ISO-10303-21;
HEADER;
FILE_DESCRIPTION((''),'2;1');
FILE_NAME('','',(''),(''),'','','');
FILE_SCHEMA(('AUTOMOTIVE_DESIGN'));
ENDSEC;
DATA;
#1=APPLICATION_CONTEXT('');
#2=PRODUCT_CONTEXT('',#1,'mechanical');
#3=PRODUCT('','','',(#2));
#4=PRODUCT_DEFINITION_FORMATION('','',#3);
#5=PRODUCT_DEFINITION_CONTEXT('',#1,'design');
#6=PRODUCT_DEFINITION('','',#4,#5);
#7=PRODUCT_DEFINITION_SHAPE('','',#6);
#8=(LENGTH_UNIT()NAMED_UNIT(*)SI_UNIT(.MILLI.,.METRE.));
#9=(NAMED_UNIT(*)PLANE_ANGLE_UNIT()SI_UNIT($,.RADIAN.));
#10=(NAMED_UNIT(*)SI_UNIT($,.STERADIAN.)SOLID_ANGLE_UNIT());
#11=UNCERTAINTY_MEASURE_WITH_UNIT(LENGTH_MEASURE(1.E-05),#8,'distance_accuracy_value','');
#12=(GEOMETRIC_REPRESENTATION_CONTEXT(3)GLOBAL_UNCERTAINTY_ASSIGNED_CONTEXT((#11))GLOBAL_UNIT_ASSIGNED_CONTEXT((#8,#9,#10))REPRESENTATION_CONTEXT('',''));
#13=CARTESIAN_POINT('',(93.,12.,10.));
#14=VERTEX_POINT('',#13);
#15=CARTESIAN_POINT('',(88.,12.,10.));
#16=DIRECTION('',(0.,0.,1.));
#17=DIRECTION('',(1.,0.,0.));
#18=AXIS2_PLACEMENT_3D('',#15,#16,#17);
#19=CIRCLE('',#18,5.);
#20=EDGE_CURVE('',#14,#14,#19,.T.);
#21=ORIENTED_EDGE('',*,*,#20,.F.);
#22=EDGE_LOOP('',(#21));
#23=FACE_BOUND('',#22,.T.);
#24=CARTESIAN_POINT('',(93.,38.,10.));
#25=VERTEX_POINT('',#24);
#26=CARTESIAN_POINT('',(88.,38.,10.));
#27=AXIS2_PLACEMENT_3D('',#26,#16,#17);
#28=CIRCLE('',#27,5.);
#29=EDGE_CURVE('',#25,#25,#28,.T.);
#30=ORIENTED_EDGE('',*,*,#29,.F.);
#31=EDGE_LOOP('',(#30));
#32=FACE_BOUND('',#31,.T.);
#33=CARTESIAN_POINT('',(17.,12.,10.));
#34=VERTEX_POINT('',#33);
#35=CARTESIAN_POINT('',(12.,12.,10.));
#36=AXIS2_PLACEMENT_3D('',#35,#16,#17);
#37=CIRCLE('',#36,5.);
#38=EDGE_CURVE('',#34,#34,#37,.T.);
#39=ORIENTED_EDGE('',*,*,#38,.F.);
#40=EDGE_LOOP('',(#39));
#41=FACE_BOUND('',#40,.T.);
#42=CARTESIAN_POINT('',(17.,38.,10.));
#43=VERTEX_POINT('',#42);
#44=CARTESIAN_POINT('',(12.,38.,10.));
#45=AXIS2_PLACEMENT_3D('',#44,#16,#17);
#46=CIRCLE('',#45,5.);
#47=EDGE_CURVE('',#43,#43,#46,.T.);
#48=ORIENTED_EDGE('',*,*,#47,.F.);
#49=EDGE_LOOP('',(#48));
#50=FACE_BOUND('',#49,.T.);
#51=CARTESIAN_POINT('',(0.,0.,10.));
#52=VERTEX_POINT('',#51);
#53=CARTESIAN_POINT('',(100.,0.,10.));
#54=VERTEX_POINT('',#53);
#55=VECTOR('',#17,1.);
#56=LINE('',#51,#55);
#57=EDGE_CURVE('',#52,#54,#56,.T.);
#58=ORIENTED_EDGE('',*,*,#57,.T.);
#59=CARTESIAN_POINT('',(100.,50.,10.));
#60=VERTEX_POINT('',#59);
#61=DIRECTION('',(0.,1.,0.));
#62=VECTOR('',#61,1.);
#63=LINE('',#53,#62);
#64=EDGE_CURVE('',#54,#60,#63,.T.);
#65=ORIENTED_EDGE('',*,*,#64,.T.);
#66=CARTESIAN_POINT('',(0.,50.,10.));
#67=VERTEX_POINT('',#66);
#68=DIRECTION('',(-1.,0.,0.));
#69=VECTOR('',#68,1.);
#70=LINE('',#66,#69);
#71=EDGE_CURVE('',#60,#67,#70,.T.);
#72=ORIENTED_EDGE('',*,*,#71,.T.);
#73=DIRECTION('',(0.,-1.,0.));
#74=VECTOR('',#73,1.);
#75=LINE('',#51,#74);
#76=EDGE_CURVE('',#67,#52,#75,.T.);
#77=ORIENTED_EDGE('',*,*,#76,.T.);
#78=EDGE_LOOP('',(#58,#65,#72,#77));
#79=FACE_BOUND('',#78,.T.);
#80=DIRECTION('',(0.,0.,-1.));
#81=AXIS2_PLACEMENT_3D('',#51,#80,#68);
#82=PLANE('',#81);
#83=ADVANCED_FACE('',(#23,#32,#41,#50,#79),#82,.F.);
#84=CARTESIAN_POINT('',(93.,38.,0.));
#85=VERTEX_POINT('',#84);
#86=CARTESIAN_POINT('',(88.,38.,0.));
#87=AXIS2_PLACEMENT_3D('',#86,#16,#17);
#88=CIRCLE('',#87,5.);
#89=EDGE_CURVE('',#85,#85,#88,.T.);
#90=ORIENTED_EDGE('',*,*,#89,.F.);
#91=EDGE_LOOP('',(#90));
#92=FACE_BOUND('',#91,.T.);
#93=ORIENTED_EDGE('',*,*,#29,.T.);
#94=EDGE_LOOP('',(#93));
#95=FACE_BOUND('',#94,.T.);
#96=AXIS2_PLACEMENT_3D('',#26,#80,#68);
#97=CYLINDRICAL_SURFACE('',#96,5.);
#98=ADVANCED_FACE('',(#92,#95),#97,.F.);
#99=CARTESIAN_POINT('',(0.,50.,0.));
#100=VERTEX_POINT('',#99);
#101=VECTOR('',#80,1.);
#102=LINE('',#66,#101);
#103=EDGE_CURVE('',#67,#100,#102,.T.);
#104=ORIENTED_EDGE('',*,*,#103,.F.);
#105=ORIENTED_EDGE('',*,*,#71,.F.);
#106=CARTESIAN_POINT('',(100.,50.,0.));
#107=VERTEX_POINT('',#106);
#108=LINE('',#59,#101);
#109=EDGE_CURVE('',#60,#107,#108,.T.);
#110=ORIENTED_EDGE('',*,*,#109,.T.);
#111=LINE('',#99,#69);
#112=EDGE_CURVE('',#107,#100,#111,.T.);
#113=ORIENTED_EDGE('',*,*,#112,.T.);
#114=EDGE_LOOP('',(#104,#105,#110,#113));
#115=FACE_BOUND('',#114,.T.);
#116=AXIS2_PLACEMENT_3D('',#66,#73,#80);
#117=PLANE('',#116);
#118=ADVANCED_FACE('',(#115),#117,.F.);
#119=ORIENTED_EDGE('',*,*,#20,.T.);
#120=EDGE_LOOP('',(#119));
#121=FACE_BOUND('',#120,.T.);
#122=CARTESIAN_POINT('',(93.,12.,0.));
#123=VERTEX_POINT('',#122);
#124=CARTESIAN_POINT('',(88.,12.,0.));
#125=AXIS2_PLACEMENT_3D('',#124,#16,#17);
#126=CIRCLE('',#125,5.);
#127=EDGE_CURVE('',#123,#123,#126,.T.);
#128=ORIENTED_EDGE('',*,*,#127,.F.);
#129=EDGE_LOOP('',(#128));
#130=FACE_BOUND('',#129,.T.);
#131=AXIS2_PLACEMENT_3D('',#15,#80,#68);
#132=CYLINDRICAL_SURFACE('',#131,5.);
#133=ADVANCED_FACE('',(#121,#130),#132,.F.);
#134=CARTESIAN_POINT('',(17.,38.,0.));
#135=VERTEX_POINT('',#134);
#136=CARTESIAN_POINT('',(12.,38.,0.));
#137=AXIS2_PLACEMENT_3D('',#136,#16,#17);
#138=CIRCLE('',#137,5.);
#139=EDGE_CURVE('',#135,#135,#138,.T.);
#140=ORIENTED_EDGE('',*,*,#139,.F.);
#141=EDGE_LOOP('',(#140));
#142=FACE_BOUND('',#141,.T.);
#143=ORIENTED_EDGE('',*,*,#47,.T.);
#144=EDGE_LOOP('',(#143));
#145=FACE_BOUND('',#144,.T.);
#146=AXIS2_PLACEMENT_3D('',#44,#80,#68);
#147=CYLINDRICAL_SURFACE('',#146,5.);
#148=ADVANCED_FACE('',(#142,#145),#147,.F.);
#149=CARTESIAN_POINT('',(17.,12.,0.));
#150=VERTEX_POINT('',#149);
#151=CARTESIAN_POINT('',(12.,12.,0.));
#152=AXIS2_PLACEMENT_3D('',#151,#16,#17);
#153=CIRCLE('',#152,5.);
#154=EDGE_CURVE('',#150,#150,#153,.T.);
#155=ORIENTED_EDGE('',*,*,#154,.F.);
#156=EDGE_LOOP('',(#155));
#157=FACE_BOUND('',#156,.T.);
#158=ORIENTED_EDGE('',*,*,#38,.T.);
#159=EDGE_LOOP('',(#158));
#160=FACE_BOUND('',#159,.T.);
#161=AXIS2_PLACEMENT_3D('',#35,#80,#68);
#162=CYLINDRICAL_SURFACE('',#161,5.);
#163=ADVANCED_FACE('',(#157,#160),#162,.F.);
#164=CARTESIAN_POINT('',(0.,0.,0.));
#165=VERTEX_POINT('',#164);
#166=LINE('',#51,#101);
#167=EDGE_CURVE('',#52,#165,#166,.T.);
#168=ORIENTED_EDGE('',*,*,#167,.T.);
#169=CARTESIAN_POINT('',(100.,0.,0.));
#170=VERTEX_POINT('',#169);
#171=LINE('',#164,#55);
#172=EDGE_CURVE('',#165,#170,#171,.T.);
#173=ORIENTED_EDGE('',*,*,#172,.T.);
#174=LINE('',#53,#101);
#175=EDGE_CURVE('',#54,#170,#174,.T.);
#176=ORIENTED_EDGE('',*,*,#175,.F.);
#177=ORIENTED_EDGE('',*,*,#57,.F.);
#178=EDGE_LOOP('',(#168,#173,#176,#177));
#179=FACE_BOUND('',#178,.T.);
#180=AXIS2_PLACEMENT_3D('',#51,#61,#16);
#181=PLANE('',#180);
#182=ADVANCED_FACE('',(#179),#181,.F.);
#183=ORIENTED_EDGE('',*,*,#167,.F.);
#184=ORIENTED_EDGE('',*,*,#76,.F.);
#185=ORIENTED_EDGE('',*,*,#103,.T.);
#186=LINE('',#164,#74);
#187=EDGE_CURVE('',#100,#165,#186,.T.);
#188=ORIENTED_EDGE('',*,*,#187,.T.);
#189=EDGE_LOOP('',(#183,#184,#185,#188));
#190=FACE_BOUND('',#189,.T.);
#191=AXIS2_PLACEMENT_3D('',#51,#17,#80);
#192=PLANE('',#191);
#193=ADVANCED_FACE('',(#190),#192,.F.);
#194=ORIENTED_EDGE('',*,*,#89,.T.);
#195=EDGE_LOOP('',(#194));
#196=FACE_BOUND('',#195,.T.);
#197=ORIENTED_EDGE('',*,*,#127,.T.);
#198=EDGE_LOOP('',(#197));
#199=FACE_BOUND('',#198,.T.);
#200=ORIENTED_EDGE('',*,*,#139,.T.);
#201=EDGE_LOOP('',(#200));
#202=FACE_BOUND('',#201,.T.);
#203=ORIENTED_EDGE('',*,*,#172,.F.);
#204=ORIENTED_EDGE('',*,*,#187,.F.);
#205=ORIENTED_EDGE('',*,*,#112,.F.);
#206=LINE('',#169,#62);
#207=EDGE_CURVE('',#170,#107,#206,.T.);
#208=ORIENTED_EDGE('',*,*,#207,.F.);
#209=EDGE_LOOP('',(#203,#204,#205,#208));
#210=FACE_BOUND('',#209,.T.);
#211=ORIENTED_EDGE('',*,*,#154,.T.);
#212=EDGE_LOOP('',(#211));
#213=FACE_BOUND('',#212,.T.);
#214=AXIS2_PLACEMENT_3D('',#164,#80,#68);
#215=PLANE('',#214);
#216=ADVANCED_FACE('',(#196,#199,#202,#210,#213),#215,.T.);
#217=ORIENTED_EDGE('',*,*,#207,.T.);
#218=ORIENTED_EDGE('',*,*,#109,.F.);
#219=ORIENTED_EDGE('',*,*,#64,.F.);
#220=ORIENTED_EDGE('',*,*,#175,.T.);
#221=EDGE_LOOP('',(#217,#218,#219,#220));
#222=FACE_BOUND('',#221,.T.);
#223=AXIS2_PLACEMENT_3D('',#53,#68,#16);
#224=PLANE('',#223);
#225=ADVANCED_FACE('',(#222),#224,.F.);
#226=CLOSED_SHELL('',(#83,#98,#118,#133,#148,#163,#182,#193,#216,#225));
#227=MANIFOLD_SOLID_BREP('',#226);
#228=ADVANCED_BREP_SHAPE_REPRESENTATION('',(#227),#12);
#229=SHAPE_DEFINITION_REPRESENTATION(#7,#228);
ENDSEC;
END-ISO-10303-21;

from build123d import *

# Parameters (mm, degrees)
CROQUIS1_W              = 100
CROQUIS1_H              = 50
CROQUIS1_R              = 5
SALIENTE_EXTRUIR1_DEPTH = 10


with BuildPart() as part:
    # Croquis1 → Saliente-Extruir1 (new body)
    with BuildSketch(Plane.XY):
        with Locations((50, 25)):
            Rectangle(CROQUIS1_W, CROQUIS1_H)
        with Locations((12, 38)):
            Circle(CROQUIS1_R, mode=Mode.SUBTRACT)
        with Locations((12, 12)):
            Circle(CROQUIS1_R, mode=Mode.SUBTRACT)
        with Locations((88, 12)):
            Circle(CROQUIS1_R, mode=Mode.SUBTRACT)
        with Locations((88, 38)):
            Circle(CROQUIS1_R, mode=Mode.SUBTRACT)
    extrude(amount=SALIENTE_EXTRUIR1_DEPTH)


solid = part.part
